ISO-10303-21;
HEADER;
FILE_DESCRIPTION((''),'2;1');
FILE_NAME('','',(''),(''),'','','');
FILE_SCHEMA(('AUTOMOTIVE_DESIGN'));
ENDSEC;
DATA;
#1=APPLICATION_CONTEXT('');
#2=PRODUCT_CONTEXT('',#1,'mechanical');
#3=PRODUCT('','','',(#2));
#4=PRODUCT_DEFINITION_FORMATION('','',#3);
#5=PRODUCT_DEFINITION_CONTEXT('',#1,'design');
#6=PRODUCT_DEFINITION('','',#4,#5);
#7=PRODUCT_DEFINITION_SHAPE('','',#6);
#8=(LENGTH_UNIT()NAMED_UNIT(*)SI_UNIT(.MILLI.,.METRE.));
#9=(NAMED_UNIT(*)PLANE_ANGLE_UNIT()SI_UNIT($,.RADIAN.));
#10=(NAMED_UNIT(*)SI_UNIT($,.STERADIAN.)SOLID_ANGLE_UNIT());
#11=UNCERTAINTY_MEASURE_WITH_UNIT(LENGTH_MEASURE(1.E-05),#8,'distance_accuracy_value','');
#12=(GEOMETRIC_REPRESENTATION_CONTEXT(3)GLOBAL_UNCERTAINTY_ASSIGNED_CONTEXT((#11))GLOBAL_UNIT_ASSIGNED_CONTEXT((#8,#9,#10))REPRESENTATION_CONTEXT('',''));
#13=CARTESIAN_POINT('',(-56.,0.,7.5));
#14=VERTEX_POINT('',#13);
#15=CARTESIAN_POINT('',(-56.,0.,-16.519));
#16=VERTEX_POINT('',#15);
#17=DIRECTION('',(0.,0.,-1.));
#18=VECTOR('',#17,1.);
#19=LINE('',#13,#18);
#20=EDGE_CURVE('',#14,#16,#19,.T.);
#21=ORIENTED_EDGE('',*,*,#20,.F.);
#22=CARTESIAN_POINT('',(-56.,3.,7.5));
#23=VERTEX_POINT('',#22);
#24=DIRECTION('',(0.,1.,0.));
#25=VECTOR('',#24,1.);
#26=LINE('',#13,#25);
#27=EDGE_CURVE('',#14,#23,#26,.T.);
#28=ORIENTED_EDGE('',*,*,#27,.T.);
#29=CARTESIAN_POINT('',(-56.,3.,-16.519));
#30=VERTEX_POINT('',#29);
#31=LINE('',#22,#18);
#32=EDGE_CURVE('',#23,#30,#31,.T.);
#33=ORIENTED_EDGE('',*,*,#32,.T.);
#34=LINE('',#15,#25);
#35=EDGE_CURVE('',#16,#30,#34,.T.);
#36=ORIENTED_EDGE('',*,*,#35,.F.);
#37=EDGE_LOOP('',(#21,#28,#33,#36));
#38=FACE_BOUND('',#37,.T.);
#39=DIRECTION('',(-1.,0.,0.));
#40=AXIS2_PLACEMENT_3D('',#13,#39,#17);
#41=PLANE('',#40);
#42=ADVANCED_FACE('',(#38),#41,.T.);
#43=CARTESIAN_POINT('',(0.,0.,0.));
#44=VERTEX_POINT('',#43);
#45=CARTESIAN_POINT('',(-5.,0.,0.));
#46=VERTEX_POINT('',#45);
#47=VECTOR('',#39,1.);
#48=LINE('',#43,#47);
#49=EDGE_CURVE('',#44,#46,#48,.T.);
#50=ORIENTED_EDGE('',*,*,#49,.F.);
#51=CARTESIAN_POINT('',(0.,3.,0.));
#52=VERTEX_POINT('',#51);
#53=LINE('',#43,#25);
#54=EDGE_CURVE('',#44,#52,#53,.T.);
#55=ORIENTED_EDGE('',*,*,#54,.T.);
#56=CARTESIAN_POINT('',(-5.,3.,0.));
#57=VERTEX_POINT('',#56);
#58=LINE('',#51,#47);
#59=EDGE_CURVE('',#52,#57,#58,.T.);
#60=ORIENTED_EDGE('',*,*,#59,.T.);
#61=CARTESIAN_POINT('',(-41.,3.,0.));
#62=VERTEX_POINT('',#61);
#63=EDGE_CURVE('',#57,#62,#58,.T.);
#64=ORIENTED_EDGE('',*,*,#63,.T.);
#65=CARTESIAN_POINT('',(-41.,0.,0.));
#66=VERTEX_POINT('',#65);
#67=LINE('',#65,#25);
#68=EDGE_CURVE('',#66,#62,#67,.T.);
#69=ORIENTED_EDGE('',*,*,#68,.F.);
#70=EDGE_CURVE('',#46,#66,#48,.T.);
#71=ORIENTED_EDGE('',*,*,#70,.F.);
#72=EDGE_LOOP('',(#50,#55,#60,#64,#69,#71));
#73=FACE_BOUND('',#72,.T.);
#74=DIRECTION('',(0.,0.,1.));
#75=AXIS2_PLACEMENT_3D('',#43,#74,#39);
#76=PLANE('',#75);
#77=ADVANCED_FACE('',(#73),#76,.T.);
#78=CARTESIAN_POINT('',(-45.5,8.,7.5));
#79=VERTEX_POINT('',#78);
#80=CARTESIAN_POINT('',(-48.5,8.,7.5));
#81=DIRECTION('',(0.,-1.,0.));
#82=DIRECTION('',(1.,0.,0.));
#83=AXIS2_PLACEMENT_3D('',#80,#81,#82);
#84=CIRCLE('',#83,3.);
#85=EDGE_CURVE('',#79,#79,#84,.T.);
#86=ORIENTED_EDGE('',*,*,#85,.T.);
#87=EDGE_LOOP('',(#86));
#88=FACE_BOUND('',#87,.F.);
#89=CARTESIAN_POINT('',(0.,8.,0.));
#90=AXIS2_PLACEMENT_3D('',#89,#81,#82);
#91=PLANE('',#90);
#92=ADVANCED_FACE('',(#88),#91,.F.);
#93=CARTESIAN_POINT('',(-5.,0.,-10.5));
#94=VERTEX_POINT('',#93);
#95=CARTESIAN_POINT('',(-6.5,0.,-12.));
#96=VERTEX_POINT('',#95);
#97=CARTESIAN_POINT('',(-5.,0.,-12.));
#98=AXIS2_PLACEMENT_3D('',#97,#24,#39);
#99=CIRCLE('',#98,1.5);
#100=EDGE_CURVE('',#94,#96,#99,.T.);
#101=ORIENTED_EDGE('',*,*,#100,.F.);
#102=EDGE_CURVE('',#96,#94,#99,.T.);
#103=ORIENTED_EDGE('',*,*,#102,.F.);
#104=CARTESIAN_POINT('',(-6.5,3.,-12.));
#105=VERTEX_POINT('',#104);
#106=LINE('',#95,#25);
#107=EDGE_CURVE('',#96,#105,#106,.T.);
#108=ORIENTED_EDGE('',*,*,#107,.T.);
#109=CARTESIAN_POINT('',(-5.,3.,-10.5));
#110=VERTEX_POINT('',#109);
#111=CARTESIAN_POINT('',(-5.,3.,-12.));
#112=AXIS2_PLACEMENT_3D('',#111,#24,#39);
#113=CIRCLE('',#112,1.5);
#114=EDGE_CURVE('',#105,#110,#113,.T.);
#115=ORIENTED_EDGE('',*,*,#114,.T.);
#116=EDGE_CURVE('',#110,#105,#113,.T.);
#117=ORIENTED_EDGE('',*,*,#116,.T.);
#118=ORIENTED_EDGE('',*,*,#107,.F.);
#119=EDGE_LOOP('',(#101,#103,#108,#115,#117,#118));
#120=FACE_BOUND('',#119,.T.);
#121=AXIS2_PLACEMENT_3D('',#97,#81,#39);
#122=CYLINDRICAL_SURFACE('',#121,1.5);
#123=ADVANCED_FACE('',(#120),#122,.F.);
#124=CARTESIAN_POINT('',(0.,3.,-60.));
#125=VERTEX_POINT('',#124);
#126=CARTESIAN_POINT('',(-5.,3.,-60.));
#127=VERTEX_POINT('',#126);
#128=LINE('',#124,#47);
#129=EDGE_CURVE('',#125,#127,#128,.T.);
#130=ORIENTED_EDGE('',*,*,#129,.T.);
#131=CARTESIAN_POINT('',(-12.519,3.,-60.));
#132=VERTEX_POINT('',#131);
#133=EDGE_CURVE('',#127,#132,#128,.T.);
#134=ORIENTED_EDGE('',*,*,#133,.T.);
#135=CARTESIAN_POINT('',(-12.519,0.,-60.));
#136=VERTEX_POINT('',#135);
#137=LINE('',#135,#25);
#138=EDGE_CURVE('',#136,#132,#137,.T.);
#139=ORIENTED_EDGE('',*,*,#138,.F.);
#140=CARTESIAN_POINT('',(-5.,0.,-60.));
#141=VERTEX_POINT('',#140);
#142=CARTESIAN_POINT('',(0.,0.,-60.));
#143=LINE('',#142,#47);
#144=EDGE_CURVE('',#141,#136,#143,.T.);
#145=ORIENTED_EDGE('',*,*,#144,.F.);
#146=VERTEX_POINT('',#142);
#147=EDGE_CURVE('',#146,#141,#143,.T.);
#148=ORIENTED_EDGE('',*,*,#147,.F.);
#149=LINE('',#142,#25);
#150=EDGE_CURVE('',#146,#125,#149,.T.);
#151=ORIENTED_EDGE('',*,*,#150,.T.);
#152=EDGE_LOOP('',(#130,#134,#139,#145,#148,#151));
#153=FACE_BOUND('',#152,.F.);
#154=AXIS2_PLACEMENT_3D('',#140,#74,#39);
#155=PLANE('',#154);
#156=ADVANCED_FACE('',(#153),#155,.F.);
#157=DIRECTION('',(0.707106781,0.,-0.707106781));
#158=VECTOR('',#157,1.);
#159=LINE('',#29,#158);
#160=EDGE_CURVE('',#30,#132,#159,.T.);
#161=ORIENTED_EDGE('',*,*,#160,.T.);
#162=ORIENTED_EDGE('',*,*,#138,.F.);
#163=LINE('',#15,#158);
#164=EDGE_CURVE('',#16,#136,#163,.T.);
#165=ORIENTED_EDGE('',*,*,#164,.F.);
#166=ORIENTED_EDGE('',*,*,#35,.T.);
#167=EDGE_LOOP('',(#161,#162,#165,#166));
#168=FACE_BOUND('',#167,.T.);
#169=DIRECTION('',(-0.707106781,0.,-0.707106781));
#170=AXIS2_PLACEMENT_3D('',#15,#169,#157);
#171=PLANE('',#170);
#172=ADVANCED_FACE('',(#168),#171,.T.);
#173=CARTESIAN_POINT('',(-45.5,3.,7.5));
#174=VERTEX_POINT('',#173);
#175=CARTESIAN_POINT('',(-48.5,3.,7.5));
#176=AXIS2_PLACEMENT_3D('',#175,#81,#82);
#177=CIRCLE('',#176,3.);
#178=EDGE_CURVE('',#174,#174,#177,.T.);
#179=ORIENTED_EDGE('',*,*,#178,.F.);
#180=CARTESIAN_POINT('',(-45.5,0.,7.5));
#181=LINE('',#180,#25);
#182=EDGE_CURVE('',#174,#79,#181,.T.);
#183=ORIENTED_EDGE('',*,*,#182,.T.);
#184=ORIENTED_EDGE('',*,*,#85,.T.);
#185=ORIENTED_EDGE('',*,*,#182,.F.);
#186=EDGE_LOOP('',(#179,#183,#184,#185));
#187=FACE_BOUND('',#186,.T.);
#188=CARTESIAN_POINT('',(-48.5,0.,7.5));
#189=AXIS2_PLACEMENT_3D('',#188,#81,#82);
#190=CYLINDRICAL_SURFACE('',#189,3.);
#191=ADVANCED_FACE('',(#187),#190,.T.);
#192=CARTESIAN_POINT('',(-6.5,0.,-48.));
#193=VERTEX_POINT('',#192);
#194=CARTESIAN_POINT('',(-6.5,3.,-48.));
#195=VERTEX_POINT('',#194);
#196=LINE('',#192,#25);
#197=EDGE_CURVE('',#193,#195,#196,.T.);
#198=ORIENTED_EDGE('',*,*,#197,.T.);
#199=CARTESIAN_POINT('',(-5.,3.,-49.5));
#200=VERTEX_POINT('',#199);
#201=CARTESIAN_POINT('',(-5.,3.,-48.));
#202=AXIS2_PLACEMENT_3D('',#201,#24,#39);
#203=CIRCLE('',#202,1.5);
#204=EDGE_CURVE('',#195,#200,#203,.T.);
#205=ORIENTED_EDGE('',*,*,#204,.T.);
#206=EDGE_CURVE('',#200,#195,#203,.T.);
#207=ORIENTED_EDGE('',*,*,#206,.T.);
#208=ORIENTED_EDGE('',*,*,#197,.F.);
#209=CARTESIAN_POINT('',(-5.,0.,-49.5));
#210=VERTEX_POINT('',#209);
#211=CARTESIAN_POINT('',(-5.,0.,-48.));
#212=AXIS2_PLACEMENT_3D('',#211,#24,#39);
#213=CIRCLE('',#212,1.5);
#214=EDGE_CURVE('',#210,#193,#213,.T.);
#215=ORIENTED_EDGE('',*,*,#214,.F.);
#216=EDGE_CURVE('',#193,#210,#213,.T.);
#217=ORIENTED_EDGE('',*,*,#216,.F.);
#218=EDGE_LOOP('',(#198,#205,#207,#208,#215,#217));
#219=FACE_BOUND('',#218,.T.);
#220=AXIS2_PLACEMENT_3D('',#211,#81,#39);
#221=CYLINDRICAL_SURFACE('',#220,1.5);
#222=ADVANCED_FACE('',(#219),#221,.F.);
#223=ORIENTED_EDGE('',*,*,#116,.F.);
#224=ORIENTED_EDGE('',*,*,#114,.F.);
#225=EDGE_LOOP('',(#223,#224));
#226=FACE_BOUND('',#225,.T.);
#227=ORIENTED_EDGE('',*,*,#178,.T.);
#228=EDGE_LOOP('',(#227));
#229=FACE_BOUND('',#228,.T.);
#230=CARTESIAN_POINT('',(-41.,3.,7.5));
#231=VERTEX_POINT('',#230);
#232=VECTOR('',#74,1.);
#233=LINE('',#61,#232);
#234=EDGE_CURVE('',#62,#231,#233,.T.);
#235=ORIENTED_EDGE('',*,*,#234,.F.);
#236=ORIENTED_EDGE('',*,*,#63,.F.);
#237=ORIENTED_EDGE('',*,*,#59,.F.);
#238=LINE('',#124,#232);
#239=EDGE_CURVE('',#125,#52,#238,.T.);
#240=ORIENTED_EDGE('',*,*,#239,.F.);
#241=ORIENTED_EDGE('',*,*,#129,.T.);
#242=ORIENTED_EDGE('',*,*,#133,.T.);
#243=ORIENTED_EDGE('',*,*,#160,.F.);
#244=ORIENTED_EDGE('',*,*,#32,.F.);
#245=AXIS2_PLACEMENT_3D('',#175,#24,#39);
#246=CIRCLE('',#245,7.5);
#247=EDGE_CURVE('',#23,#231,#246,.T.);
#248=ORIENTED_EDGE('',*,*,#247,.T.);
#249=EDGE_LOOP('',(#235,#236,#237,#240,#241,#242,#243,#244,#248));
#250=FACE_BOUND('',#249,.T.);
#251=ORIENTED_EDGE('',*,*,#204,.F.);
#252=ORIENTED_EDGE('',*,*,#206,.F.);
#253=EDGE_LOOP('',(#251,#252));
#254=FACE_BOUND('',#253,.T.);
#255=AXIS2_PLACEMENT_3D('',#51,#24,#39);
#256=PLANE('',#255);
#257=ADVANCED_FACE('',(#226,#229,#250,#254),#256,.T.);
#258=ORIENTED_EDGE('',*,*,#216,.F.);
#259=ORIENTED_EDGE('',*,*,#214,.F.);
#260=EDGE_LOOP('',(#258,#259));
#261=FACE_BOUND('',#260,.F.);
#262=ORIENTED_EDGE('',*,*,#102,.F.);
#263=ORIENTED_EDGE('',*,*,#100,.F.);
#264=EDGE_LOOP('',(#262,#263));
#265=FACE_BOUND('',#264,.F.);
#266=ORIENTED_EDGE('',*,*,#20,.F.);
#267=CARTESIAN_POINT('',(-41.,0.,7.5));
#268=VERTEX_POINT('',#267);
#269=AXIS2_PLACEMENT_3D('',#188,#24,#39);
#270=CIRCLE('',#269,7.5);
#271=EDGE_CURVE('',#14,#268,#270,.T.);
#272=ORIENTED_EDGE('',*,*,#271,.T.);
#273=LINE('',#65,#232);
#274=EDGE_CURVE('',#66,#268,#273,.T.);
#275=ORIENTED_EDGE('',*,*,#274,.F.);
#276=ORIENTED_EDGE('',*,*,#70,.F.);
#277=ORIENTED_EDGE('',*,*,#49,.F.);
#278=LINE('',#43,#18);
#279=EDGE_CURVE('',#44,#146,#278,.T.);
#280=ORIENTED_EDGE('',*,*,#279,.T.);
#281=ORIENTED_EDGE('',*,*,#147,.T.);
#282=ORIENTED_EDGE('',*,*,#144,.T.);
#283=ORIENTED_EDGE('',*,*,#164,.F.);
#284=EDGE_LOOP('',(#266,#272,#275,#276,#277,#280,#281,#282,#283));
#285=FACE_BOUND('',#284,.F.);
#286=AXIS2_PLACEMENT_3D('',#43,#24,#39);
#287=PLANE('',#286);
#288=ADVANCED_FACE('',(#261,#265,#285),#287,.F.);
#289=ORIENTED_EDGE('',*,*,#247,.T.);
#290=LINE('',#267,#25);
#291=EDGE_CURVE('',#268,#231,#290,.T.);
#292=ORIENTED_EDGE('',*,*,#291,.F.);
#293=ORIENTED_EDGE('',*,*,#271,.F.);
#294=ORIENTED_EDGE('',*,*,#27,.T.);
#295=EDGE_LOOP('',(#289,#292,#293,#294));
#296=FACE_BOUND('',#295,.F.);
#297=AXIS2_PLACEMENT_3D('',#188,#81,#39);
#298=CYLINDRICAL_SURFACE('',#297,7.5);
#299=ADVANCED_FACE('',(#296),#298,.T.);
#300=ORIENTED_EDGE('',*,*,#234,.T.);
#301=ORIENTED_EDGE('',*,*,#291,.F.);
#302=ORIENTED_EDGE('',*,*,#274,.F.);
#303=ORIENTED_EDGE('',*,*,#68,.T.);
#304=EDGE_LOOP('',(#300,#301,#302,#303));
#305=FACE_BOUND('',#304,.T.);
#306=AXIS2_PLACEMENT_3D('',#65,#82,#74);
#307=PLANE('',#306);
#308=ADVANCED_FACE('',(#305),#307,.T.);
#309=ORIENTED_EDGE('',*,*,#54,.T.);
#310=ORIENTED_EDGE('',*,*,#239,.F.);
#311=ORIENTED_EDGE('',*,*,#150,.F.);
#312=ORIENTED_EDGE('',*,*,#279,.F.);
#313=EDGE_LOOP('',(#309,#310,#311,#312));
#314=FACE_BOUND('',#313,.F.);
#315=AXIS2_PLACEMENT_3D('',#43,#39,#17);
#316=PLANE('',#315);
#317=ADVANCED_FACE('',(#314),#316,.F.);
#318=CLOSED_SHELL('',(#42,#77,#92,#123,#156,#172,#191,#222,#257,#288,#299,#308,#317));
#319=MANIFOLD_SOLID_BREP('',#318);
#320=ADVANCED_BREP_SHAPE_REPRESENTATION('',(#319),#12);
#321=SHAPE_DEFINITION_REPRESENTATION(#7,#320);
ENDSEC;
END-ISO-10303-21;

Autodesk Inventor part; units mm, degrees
ref_plane "YZ Plane" through (0, 0, 0) normal (1, 0, 0) x (0, 1, 0)
ref_plane "XZ Plane" through (0, 0, 0) normal (0, 1, 0) x (-1, 0, 0)
ref_plane "XY Plane" through (0, 0, 0) normal (0, 0, 1) x (1, 0, 0)
sketch "Sketch3" plane through (0, 0, 0) normal (0, 1, 0) x (-1, 0, 0)
  line L0 (0, 0) -> (0, -60)
  line L1 (0, 0) -> (60, 0) construction
  line L2 (0, -60) -> (12.519, -60)
  line L3 (0, 0) -> (41, 0)
  line L4 (41, 0) -> (41, 7.5)
  line L5 (41, 7.5) -> (56, 7.5)
  circle A0 centre (48.5, 7.5) radius 7.5
  circle A1 centre (48.5, 7.5) radius 3
  line L6 (56, 7.5) -> (56, -16.519)
  line L7 (56, -16.519) -> (12.519, -60)
  line L8 (0, -30) -> (5, -30)
  line L9 (5, -60) -> (5, -48)
  line L10 (5, 0) -> (5, -12)
  circle A2 centre (5, -12) radius 1.5
  circle A3 centre (5, -48) radius 1.5
  dimension "d6" = 60
  dimension "d7" = 90
  dimension "d8" = 12.519
  dimension "d9" = 41
  dimension "d10" = 7.5
  dimension "d11" = 15
  dimension "d12" = 6
  dimension "d13" = 24.019
  dimension "d18" = 5
  dimension "d19" = 12
  dimension "d20" = 12
  dimension "d21" = 3
  dimension "d22" = 3
extrude "Extrusion1" add sketch "Sketch3" along normal blind 3 contours L3 L4 A0 L6 L7 L2 L0 | A0 L5 A1 | L5 A1 A0 | L5 A1 picked at (49.4145, 6.796)
sketch "Sketch4" plane through (0, 0, 0) normal (0, -1, 0) x (1, 0, 0)
  line L0 (-51.5, 7.5) -> (-45.5, 7.5) projected
  line L1 (-45.5, 7.5) -> (-51.5, 7.5) projected
  circle A0 centre (-48.5, 7.5) radius 3
  point P0 (0, 0)
extrude "Extrusion2" add sketch "Sketch4" against normal blind 8
properties part number "sideplateshaft_std"
